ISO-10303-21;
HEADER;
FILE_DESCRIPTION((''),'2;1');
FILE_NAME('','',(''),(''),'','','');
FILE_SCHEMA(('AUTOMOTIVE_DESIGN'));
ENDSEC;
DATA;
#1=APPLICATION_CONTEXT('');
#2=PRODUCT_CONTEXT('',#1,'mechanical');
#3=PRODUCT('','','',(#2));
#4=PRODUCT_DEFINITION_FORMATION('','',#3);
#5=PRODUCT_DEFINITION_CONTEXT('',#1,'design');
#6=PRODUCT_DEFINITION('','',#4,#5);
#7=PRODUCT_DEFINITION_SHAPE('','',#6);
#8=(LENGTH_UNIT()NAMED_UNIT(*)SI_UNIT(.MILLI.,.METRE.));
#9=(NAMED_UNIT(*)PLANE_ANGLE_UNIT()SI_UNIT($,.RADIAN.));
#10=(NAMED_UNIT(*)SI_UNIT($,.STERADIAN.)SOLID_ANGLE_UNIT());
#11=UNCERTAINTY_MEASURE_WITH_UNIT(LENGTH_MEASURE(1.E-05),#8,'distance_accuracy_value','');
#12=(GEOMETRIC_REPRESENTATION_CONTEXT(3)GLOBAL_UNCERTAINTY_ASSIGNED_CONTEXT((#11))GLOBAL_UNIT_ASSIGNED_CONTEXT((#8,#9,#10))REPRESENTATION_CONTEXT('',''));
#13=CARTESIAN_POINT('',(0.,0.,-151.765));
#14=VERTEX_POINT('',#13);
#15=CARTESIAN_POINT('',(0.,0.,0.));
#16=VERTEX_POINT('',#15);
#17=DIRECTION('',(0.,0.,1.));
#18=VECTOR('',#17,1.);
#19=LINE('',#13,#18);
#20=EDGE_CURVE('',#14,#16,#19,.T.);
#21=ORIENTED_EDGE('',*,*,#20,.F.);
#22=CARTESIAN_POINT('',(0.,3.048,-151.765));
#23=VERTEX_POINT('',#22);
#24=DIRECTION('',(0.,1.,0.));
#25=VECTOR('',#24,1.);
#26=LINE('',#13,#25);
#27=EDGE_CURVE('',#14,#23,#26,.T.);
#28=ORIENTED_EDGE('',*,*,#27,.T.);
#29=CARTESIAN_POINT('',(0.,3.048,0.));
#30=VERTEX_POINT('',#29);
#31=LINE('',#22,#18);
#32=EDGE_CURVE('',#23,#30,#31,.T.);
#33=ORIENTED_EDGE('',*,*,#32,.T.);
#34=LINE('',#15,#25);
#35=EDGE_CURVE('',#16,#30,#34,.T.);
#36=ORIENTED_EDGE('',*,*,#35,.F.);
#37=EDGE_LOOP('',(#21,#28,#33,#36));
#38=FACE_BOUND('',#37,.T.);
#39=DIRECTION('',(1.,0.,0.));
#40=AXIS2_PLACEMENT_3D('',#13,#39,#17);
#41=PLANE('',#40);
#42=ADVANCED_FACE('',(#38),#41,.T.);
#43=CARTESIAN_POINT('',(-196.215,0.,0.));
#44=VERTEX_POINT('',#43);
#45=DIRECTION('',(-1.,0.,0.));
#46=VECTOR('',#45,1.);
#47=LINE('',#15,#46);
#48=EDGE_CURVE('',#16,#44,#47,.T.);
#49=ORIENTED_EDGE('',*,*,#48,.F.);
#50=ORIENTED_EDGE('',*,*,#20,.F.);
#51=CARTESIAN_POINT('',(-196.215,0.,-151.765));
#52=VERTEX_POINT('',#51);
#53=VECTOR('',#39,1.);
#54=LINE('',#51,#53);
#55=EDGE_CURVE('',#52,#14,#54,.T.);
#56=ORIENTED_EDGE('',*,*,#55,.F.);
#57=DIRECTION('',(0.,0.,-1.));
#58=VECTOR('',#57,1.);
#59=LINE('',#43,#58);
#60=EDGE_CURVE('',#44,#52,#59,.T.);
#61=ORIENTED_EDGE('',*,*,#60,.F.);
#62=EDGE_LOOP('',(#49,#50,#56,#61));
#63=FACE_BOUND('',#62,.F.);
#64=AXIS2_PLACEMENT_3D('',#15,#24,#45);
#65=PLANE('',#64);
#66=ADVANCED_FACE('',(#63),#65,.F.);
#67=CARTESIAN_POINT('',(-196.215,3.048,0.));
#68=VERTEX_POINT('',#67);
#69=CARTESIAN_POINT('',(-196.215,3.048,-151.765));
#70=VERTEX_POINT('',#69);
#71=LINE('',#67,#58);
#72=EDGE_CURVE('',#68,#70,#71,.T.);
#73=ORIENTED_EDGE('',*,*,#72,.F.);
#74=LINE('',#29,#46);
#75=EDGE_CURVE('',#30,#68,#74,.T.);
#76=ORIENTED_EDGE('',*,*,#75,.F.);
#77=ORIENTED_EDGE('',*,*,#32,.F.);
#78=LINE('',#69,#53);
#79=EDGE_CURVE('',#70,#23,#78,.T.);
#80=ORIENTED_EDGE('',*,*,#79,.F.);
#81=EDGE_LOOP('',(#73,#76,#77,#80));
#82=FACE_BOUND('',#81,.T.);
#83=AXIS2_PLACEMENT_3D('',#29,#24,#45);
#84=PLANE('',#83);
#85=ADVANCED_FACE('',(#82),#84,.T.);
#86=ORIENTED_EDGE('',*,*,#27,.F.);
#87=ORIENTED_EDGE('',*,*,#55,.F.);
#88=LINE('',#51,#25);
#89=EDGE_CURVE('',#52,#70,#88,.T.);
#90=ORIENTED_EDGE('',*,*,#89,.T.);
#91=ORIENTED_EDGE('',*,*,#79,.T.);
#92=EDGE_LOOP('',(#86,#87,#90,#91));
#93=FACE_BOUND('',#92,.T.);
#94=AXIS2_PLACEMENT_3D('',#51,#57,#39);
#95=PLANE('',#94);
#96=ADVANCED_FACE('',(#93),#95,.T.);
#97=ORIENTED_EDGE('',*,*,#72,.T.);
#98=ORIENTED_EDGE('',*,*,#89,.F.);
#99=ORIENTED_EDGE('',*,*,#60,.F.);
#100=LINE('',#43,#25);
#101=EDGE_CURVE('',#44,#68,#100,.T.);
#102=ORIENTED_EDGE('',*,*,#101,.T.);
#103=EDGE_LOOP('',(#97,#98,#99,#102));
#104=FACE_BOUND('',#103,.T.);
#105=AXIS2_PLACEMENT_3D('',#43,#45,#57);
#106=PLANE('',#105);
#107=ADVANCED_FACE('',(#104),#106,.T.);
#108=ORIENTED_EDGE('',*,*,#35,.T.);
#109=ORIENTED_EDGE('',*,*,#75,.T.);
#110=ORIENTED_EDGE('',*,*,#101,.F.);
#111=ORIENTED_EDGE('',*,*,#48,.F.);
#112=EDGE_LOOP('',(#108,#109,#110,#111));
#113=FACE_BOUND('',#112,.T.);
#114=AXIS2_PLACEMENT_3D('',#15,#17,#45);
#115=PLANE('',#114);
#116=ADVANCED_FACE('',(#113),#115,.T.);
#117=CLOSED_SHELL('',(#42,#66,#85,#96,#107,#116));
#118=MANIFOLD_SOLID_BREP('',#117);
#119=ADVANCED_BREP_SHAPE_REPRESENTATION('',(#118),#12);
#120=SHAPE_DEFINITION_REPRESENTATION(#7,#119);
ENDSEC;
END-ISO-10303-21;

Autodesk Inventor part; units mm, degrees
ref_plane "YZ Plane" through (0, 0, 0) normal (1, 0, 0) x (0, 1, 0)
ref_plane "XZ Plane" through (0, 0, 0) normal (0, 1, 0) x (-1, 0, 0)
ref_plane "XY Plane" through (0, 0, 0) normal (0, 0, 1) x (1, 0, 0)
sketch "Sketch1" plane through (0, 0, 0) normal (0, 1, 0) x (-1, 0, 0)
  line L0 (0, 0) -> (196.215, 0)
  line L1 (196.215, 0) -> (196.215, -151.765)
  line L2 (196.215, -151.765) -> (0, -151.765)
  line L3 (0, -151.765) -> (0, 0)
  dimension "d0" = 196.215
  dimension "d1" = 151.765
extrude "Extrusion1" add sketch "Sketch1" along normal blind 3.048
properties part number "Sliding_Door"
